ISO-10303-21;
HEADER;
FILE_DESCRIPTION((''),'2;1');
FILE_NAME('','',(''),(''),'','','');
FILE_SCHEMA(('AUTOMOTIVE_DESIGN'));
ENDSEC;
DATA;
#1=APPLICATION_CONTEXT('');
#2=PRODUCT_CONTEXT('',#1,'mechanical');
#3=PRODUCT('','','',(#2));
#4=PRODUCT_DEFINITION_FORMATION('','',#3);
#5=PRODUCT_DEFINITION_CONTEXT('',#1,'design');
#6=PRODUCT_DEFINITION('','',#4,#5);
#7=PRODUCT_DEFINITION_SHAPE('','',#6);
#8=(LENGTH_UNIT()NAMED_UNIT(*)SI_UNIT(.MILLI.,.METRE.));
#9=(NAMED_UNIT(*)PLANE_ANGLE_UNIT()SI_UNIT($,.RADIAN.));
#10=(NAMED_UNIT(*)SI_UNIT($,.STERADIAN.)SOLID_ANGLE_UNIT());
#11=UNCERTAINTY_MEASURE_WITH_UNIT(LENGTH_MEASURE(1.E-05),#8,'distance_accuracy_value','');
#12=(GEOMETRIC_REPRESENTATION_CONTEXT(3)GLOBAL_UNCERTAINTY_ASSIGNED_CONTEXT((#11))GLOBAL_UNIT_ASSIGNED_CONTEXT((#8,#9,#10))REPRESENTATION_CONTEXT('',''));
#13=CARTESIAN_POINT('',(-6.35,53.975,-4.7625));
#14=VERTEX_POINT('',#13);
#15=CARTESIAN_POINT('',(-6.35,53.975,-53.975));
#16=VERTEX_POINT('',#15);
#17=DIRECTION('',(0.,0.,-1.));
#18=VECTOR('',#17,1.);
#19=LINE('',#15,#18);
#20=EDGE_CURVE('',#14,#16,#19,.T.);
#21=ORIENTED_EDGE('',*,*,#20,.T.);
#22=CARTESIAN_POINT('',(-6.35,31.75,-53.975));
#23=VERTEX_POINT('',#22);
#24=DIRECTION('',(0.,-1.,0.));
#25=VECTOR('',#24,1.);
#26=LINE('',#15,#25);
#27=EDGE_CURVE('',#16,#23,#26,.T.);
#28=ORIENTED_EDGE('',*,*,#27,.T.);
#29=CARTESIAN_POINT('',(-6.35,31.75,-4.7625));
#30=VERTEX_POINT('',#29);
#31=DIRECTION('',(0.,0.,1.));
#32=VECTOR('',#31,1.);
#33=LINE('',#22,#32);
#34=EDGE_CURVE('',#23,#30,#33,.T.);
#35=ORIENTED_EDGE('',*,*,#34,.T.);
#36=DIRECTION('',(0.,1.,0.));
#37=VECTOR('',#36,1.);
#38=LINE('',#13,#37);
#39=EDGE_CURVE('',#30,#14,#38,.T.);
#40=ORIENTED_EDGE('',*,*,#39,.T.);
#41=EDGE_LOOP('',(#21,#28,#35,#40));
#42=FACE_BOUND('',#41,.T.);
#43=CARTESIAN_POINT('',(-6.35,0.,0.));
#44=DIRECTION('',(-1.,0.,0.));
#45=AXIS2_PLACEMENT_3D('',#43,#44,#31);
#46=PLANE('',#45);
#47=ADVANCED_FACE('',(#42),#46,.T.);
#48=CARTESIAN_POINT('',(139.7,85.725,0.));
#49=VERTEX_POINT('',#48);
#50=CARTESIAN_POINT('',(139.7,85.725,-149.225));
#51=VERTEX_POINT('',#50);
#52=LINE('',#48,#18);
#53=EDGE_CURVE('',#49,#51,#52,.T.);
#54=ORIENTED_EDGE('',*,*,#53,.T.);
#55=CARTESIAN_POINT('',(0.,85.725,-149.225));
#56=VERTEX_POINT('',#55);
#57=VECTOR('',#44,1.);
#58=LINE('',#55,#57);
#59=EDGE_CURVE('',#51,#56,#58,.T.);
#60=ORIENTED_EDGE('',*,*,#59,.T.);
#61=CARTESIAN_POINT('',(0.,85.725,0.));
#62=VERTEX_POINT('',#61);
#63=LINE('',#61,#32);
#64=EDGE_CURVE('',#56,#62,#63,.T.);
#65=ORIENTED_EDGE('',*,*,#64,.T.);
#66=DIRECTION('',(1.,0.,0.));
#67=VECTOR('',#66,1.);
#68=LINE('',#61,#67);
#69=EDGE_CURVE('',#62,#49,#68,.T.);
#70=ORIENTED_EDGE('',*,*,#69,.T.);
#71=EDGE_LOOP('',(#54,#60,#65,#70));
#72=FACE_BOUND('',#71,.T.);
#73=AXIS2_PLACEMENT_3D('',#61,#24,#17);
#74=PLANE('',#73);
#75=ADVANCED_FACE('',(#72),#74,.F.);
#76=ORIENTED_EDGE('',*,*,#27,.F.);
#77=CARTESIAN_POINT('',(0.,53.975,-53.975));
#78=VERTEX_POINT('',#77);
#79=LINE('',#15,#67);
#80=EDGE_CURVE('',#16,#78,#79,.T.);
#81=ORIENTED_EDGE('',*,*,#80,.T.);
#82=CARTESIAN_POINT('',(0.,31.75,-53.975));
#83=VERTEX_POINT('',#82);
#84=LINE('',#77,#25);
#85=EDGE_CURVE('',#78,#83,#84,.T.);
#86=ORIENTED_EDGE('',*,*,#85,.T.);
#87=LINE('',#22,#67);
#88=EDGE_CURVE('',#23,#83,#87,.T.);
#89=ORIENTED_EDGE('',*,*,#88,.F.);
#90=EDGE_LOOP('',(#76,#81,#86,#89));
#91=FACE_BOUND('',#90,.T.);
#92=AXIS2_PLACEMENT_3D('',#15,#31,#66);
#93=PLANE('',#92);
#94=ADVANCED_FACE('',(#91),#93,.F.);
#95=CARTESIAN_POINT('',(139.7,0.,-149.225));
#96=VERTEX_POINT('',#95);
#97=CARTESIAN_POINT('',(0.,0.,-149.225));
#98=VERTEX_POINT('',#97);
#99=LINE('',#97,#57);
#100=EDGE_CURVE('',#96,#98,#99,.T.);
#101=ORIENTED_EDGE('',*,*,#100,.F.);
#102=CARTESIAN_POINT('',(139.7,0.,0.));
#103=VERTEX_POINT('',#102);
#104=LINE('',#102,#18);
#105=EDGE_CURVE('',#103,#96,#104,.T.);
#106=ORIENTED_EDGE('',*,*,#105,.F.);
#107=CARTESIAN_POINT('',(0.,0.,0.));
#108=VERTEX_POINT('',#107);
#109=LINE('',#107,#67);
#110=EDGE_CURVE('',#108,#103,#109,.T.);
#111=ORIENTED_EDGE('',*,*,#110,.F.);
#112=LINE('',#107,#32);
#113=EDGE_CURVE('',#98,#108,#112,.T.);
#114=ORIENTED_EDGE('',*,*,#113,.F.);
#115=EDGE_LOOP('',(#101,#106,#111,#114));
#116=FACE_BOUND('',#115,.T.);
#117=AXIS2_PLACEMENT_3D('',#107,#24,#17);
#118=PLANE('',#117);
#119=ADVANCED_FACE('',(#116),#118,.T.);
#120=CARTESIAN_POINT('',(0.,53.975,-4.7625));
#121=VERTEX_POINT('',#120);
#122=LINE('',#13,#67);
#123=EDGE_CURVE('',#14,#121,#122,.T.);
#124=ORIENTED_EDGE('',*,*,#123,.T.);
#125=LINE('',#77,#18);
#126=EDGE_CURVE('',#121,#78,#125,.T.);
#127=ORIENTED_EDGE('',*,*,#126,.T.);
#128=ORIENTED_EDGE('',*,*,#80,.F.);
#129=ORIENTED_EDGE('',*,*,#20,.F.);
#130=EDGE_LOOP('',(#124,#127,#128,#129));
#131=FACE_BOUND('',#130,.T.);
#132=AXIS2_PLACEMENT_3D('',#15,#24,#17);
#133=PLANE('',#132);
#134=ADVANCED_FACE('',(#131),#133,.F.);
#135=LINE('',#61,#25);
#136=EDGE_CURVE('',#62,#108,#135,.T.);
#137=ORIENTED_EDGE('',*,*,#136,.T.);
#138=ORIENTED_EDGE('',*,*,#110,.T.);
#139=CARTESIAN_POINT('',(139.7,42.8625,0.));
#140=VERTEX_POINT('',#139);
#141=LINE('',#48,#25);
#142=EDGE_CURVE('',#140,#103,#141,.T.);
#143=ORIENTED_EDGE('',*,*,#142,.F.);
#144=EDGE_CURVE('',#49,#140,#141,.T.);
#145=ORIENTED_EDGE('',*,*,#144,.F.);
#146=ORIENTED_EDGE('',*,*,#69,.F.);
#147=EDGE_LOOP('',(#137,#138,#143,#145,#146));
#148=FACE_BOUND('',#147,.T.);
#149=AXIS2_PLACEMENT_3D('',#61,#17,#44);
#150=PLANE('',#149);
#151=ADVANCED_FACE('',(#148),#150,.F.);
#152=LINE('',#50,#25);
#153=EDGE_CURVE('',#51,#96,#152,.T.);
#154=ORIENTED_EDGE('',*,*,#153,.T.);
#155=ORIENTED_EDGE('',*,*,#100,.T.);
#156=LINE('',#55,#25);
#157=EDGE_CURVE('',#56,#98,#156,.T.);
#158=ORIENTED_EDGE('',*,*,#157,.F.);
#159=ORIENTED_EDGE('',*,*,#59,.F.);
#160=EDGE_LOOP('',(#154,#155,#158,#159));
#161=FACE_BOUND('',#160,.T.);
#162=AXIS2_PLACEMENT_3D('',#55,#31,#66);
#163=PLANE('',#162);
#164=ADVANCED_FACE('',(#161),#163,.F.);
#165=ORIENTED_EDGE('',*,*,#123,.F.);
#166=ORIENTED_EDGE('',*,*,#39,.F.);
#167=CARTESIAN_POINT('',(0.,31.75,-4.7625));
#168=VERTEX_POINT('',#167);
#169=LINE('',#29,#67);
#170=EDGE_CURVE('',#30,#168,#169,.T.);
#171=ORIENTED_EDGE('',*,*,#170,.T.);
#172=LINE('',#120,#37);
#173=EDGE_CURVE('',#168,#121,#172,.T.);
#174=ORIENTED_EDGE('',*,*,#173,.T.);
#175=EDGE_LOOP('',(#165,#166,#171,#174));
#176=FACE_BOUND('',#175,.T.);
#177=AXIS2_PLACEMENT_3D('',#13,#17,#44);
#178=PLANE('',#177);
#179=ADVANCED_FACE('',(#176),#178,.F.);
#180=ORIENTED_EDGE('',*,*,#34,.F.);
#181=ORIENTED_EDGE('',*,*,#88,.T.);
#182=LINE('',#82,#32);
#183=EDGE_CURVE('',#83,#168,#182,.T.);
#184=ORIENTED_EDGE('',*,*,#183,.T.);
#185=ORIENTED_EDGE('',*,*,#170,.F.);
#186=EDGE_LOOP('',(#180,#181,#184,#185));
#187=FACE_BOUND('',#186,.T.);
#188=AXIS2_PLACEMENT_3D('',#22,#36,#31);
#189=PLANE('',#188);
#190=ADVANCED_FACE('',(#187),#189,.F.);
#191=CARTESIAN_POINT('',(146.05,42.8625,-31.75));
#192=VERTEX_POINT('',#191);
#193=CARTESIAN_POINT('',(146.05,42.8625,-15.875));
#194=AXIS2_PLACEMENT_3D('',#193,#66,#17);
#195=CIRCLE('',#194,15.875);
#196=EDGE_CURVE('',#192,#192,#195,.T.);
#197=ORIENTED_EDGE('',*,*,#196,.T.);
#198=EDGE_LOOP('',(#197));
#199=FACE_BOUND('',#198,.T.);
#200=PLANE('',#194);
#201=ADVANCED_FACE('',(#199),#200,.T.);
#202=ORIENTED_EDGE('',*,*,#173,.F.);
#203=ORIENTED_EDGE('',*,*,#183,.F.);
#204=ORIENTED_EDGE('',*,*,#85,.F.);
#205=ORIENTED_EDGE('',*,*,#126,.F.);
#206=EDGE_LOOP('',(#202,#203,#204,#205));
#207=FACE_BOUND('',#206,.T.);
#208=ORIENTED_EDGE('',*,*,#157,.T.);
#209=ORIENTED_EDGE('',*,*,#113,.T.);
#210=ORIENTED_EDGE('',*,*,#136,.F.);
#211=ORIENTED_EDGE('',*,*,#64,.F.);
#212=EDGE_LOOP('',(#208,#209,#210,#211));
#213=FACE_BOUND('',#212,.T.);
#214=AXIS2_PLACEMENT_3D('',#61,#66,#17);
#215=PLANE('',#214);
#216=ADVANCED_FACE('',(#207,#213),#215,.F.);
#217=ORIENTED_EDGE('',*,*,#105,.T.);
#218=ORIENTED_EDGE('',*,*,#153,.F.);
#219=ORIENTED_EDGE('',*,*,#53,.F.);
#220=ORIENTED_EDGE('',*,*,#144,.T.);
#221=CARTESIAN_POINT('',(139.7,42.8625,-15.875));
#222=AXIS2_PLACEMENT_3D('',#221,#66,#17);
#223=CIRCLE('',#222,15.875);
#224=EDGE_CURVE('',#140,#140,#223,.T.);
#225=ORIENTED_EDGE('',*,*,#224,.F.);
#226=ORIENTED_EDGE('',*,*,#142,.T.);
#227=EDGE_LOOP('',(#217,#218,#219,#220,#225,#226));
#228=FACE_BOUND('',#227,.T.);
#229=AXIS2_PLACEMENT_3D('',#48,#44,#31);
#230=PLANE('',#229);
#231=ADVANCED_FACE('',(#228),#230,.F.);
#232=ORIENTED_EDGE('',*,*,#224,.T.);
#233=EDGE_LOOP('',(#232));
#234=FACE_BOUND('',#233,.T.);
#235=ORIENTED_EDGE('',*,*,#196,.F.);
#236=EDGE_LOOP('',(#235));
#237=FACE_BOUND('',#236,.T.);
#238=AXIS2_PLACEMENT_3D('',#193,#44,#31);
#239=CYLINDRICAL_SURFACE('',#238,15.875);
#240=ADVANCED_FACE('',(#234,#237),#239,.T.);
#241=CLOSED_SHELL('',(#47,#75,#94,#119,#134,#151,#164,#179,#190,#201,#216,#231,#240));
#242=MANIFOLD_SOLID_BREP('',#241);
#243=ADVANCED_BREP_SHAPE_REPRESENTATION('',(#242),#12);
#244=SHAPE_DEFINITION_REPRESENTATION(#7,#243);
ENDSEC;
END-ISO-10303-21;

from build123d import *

# Parameters (mm, degrees)
SKETCH1_W           = 139.7
SKETCH1_H           = 149.225
BOSS_EXTRUDE1_DEPTH = 85.725
SKETCH2_W           = 49.2125
SKETCH2_H           = 22.225
BOSS_EXTRUDE2_DEPTH = 6.35
SKETCH3_R           = 15.875
BOSS_EXTRUDE3_DEPTH = 6.35


with BuildPart() as part:
    # Sketch1 → Boss-Extrude1 (new body)
    with BuildSketch(Plane(origin=(0, 0, 0), x_dir=(1, 0, 0), z_dir=(0, 1, 0))):
        with Locations((69.85, 74.6125)):
            Rectangle(SKETCH1_W, SKETCH1_H)
    extrude(amount=BOSS_EXTRUDE1_DEPTH)

    # Sketch2 → Boss-Extrude2 (add)
    with BuildSketch(Plane.ZY):
        with Locations((-29.36875, 42.8625)):
            Rectangle(SKETCH2_W, SKETCH2_H)
    extrude(amount=BOSS_EXTRUDE2_DEPTH)

    # Sketch3 → Boss-Extrude3 (add)
    with BuildSketch(Plane(origin=(139.7, 0, 0), x_dir=(0, 0, -1), z_dir=(1, 0, 0))):
        with Locations(Location((15.875, 42.8625, 0), (0, 0, 180))):
            Circle(SKETCH3_R)
    extrude(amount=BOSS_EXTRUDE3_DEPTH)


solid = part.part
